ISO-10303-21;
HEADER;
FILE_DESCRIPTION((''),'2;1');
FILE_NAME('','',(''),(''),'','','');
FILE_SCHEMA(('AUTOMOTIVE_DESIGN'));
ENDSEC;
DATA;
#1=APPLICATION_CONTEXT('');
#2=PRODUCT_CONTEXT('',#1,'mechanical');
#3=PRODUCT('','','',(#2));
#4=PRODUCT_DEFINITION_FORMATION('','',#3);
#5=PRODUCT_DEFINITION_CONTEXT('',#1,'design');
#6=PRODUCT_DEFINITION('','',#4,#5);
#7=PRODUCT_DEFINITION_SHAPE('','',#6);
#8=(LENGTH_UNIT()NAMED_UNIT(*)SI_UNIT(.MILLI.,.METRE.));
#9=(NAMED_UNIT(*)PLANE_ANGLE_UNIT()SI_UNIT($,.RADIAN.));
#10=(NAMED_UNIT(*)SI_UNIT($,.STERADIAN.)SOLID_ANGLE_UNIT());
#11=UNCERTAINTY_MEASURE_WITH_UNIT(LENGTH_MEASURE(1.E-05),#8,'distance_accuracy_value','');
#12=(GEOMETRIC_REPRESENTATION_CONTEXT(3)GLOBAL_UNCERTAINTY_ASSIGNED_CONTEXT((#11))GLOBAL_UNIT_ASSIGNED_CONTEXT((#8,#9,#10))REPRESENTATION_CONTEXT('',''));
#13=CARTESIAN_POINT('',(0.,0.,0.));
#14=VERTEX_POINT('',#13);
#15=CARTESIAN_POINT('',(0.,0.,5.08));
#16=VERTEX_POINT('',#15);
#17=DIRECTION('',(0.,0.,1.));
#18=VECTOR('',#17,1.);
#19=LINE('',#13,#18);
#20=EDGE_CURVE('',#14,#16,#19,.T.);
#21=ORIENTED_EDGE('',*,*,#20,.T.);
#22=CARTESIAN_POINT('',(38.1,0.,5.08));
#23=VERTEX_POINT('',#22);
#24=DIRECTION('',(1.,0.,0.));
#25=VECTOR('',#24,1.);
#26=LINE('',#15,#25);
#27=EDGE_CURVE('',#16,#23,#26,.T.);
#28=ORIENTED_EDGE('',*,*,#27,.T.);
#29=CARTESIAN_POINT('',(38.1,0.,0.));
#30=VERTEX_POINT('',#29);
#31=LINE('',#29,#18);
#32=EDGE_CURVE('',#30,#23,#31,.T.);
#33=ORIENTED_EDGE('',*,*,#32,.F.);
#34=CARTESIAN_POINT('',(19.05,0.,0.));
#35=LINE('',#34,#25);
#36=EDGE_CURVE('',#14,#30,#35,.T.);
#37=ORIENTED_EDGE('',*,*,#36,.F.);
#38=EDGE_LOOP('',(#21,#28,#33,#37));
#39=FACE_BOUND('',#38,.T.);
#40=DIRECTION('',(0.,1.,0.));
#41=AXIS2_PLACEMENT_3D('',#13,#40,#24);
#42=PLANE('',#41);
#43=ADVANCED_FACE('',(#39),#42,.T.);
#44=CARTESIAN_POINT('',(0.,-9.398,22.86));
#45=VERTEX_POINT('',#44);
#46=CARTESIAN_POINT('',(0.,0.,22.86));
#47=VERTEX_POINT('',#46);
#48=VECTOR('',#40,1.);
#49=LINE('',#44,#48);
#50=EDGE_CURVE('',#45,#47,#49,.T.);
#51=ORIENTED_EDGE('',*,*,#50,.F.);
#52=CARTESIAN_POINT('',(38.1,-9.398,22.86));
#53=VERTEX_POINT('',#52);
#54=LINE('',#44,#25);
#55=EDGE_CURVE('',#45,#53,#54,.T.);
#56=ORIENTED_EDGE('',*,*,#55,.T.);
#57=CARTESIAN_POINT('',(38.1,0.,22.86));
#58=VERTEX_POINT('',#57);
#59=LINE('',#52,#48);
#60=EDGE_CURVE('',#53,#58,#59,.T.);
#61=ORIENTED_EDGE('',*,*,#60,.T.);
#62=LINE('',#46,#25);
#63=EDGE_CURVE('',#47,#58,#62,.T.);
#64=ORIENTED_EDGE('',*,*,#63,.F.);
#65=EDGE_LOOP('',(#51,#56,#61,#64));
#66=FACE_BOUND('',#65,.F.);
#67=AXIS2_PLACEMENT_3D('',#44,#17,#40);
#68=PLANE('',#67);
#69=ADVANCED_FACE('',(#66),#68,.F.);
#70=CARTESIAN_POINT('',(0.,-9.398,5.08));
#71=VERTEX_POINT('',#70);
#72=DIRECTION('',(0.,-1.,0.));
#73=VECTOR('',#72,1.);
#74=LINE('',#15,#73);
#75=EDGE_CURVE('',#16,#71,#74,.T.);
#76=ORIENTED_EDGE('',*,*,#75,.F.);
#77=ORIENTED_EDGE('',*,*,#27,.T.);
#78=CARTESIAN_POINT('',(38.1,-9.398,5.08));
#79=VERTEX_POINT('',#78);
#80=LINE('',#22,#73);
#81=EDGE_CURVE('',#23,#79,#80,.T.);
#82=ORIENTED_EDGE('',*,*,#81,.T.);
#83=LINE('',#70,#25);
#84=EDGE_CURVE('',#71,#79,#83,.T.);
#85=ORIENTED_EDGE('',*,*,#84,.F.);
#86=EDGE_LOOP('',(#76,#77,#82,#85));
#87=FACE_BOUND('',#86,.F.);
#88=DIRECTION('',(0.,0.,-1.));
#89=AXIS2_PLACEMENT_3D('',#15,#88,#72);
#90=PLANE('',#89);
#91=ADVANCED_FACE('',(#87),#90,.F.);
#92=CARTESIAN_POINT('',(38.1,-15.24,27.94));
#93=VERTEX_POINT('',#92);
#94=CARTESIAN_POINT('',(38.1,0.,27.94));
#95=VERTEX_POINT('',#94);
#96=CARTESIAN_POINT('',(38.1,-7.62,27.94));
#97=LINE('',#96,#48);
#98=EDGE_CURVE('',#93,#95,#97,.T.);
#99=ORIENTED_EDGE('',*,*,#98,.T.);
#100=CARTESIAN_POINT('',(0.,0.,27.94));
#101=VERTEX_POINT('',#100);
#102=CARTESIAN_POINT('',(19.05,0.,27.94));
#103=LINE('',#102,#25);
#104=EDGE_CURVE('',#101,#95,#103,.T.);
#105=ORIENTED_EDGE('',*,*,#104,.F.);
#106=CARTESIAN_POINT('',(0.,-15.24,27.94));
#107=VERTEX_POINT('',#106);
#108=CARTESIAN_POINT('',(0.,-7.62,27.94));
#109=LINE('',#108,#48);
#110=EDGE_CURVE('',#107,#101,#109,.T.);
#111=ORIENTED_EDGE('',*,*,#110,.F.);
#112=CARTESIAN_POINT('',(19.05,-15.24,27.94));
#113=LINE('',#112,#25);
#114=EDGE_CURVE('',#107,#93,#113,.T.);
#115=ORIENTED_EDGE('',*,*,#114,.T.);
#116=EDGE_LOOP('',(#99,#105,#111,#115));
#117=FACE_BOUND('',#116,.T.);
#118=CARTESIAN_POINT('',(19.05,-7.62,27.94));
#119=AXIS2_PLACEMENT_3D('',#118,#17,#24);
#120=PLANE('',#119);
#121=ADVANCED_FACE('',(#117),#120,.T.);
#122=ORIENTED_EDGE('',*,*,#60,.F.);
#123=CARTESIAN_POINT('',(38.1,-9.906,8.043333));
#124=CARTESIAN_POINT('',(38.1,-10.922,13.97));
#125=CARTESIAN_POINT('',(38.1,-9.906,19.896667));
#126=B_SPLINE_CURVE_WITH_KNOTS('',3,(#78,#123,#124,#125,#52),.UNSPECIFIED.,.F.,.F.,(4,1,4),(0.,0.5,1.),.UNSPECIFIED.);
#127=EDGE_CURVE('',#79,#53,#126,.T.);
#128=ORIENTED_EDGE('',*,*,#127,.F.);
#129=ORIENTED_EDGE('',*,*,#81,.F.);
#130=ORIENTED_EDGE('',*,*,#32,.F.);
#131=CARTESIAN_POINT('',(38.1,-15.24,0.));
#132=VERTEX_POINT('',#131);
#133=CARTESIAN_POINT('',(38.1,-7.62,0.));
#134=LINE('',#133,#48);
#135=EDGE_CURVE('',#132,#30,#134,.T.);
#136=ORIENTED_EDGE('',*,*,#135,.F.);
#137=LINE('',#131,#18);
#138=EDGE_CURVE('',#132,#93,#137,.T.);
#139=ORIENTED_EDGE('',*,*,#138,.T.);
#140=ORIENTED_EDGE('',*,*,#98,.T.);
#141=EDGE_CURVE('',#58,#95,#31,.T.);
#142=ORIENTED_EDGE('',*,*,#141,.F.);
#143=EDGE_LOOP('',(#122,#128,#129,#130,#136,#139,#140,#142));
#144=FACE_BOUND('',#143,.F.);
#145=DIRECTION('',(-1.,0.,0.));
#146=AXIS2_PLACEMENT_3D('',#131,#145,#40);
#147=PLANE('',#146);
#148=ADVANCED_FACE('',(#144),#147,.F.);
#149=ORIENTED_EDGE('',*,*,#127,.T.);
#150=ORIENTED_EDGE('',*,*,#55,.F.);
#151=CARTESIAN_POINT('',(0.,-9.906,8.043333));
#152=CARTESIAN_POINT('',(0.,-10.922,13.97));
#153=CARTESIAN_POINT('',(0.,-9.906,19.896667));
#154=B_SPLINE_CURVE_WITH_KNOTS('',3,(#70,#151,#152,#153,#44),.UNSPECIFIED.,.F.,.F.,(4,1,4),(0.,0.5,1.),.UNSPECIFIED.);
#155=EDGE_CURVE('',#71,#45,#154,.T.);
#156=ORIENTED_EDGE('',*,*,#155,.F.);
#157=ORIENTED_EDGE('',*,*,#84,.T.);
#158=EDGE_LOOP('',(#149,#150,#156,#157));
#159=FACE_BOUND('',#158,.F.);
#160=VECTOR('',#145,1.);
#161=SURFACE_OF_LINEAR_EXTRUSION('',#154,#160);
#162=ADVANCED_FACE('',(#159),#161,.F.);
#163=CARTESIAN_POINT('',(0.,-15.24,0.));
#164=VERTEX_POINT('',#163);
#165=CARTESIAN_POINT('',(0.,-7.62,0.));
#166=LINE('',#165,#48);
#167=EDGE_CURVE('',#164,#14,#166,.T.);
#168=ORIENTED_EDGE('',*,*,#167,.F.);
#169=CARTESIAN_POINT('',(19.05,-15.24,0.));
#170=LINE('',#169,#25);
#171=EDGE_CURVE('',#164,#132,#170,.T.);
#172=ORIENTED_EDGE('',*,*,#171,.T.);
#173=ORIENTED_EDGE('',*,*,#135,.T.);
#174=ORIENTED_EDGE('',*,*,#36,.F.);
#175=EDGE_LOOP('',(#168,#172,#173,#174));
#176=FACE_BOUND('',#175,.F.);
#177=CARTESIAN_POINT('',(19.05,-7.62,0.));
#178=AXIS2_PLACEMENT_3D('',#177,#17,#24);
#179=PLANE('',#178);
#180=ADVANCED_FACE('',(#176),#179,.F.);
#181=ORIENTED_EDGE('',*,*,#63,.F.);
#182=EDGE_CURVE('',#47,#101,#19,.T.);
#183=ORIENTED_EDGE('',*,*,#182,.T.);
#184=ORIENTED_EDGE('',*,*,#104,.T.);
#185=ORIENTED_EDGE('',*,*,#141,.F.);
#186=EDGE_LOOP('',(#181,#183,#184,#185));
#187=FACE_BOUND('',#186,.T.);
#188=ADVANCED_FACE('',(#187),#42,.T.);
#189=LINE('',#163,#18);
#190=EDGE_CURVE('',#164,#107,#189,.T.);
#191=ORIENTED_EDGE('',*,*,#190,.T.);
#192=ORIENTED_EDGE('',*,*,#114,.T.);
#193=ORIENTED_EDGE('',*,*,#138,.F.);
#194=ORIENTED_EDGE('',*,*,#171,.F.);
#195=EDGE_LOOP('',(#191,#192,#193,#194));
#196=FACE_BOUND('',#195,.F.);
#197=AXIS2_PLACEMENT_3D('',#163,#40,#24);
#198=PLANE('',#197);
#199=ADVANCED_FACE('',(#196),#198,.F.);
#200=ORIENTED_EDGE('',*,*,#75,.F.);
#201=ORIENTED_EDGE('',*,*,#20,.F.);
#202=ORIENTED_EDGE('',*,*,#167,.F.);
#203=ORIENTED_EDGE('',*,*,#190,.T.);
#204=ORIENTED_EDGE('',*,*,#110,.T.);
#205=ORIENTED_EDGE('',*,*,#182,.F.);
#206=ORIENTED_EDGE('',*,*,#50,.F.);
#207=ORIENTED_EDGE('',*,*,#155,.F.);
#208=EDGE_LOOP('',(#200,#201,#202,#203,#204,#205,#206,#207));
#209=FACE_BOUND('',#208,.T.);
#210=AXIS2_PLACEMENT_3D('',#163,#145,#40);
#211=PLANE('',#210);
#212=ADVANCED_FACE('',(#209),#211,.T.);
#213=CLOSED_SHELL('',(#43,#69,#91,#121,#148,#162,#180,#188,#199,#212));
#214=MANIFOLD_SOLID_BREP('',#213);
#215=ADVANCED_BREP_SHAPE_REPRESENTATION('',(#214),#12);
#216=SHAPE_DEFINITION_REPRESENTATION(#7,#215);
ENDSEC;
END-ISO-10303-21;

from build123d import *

# Parameters (mm, degrees)
F0_W     = 38.1
F0_H     = 15.24
F1_DEPTH = 27.94
F3_DEPTH = 38.1


with BuildPart() as f1:
    # F0 (on Top) → F1 (new body)
    with BuildSketch(Plane.XY):
        with Locations((19.05, -7.62)):
            Rectangle(F0_W, F0_H)
    extrude(amount=F1_DEPTH)

    # F2 (on face) → F3 (cut)
    with BuildSketch(Plane(origin=(0, 0, 0), x_dir=(0, -1, 0), z_dir=(-1, 0, 0))):
        with BuildLine():
            Line((0, 22.86), (0, 5.08))
            Line((0, 5.08), (9.398, 5.08))
            add(Edge.make_bspline(
                [(9.398, 5.08), (9.906, 8.0433333333), (10.414, 11.0066666667), (10.414, 13.97)],
                knots=[0, 0, 0, 0, 0.5, 0.5, 0.5, 0.5], degree=3))
            add(Edge.make_bspline(
                [(10.414, 13.97), (10.414, 16.9333333333), (9.906, 19.8966666667), (9.398, 22.86)],
                knots=[0.5, 0.5, 0.5, 0.5, 1, 1, 1, 1], degree=3))
            Line((9.398, 22.86), (0, 22.86))
        make_face()
    extrude(amount=-F3_DEPTH, mode=Mode.SUBTRACT)


solid = f1.part
